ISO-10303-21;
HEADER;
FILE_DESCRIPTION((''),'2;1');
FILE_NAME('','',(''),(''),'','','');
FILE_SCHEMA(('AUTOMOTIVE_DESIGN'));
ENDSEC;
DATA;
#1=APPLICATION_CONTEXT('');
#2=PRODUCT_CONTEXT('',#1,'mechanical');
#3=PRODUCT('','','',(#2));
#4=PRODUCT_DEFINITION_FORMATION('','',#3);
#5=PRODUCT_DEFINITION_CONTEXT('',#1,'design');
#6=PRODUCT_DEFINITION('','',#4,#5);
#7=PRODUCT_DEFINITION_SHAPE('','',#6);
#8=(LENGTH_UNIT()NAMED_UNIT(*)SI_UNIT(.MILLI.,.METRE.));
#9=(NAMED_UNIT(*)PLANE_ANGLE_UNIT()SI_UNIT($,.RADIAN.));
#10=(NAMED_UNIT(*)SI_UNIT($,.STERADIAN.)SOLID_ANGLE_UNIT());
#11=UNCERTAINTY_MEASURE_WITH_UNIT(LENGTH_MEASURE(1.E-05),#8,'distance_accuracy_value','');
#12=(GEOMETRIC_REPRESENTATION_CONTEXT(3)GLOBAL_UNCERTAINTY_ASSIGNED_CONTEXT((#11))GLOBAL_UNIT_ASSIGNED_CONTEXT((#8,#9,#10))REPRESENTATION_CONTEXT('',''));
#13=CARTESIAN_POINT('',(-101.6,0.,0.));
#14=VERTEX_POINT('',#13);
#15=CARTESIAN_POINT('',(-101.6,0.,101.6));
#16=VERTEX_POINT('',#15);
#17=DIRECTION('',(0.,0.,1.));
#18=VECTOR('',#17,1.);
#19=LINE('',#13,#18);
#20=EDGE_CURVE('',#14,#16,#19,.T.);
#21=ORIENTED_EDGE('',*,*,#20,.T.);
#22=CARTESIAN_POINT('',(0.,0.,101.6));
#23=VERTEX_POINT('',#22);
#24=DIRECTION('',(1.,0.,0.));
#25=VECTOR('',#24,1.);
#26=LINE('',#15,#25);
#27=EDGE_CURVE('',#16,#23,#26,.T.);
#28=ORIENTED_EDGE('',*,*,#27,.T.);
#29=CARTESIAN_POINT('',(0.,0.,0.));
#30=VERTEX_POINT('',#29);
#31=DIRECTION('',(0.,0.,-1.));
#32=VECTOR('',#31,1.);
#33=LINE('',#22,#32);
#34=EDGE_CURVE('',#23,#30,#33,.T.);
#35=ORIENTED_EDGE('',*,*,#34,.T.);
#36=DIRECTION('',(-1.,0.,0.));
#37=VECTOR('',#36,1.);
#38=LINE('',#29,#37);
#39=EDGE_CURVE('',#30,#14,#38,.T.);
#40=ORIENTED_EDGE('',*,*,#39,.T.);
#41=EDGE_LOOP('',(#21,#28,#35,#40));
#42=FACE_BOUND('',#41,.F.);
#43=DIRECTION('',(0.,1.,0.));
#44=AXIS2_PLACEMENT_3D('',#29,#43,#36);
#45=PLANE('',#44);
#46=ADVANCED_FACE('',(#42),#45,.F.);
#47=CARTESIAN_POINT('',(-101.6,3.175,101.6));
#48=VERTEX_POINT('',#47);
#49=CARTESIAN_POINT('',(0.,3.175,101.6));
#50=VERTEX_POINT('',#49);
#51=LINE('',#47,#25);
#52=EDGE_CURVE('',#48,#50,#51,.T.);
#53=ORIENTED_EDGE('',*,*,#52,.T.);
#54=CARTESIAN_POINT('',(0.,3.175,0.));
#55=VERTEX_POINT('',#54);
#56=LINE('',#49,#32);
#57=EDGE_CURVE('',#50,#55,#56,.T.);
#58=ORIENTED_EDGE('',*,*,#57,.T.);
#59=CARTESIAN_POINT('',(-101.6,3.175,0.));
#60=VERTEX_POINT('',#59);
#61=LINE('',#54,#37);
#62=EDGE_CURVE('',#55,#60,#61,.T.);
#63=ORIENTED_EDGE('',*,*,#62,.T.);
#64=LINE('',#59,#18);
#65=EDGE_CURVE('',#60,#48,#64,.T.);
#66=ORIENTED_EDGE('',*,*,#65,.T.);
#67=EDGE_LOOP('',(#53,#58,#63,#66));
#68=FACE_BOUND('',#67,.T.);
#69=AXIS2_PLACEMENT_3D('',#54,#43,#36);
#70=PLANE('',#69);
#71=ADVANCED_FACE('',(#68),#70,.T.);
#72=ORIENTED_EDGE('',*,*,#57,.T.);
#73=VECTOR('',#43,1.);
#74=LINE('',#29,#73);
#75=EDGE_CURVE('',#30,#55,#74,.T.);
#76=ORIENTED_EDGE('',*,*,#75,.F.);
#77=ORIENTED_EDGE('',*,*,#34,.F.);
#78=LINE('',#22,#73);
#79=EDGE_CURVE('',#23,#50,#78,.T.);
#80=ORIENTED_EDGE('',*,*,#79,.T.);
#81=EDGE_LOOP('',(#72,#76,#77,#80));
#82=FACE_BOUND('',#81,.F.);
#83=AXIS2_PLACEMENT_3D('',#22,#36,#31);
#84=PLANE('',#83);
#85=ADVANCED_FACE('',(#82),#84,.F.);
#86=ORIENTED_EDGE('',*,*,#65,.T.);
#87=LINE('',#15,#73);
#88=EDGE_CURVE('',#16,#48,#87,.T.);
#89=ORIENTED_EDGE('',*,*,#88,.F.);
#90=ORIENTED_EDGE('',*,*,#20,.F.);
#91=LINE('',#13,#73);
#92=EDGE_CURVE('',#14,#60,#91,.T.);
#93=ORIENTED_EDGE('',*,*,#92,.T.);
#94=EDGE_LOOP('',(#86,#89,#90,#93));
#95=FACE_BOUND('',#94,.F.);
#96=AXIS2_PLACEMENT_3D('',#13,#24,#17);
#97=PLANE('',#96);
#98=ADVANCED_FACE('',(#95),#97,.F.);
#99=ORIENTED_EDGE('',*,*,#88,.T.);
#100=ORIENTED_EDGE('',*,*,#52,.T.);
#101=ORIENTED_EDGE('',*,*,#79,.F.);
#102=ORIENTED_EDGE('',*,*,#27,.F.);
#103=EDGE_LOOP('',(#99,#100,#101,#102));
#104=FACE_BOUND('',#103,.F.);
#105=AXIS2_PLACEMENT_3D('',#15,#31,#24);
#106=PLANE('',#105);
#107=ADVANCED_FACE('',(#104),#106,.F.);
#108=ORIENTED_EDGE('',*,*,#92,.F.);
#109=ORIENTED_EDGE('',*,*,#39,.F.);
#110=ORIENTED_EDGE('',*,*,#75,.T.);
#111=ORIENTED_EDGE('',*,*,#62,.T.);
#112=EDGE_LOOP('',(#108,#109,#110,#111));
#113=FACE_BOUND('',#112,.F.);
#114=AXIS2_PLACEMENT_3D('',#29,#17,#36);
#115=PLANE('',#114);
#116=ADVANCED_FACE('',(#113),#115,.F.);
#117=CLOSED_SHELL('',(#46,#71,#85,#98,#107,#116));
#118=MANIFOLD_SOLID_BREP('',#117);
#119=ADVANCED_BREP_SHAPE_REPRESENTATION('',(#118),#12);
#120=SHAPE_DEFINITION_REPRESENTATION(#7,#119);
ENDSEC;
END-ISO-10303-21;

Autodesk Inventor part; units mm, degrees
ref_plane "YZ Plane" through (0, 0, 0) normal (1, 0, 0) x (0, 1, 0)
ref_plane "XZ Plane" through (0, 0, 0) normal (0, 1, 0) x (-1, 0, 0)
ref_plane "XY Plane" through (0, 0, 0) normal (0, 0, 1) x (1, 0, 0)
sketch "Sketch1" plane through (0, 0, 0) normal (0, 1, 0) x (-1, 0, 0)
  line L0 (0, 0) -> (101.6, 0)
  line L1 (101.6, 0) -> (101.6, 101.6)
  line L2 (101.6, 101.6) -> (0, 101.6)
  line L3 (0, 101.6) -> (0, 0)
  dimension "d0" = 101.6
  dimension "d1" = 101.6
extrude "Extrusion1" add sketch "Sketch1" along normal blind 3.175
